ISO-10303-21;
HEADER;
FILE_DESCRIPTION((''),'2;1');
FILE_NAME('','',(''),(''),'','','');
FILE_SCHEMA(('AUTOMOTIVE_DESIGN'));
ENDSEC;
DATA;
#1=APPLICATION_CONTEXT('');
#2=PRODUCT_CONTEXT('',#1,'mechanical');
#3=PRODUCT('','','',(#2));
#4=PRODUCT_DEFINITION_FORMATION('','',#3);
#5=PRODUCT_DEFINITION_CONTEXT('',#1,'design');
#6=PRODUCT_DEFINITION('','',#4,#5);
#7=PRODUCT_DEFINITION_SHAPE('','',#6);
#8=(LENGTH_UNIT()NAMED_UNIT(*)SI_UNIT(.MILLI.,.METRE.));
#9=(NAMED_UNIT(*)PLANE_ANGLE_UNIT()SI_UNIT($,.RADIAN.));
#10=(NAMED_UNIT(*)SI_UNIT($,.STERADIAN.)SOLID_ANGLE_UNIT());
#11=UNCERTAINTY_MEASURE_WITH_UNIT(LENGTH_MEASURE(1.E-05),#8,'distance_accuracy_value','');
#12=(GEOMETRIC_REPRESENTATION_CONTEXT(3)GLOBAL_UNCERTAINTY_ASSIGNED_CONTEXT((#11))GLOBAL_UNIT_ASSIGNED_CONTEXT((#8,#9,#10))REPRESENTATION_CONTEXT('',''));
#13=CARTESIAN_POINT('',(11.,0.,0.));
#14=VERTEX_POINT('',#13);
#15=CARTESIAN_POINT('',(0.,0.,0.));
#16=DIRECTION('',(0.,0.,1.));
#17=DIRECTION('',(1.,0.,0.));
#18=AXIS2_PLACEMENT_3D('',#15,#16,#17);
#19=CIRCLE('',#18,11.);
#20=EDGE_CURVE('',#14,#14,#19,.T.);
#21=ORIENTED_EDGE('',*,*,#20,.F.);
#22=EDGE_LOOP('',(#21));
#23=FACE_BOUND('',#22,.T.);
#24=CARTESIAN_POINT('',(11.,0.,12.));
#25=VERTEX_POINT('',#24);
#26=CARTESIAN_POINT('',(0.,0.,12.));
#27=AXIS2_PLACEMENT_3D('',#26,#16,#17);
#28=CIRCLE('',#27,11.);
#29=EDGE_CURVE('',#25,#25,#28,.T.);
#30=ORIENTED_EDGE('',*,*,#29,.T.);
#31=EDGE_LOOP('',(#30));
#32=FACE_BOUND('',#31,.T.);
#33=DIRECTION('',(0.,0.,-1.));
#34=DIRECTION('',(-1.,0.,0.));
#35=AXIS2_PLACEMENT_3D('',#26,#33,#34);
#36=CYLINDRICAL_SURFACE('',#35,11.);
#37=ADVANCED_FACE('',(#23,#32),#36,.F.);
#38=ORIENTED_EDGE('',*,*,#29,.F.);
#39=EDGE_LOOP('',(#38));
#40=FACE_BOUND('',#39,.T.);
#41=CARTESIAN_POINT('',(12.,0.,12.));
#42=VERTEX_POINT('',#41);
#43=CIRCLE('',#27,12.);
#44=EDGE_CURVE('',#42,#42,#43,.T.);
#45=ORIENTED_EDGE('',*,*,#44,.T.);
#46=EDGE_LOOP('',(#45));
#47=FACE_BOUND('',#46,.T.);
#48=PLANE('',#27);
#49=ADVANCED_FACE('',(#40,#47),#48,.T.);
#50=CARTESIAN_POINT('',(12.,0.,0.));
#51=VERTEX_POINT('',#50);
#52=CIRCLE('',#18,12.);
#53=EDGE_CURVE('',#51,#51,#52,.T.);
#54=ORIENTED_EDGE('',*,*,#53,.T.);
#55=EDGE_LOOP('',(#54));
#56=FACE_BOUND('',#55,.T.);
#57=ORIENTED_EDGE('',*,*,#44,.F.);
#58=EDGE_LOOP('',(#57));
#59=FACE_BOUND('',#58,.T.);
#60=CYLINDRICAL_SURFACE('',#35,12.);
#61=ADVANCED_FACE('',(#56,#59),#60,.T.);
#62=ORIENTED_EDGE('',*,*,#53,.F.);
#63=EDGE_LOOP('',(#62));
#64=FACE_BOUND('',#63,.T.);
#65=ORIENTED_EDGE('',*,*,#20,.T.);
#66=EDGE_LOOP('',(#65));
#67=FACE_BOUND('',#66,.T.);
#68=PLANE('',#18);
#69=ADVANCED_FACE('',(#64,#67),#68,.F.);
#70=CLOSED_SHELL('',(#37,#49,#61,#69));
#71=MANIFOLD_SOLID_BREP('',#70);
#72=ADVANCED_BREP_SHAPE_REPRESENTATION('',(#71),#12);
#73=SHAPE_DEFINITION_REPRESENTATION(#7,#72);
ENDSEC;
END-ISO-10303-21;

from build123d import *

# Parameters (mm, degrees)
ESQUISSE1_R        = 12
ESQUISSE1_R_2      = 11
BOSS_EXTRU_1_DEPTH = 12


with BuildPart() as part:
    # Esquisse1 → Boss.-Extru.1 (new body)
    with BuildSketch(Plane.XY):
        Circle(ESQUISSE1_R)
        Circle(ESQUISSE1_R_2, mode=Mode.SUBTRACT)
    extrude(amount=BOSS_EXTRU_1_DEPTH)


solid = part.part
